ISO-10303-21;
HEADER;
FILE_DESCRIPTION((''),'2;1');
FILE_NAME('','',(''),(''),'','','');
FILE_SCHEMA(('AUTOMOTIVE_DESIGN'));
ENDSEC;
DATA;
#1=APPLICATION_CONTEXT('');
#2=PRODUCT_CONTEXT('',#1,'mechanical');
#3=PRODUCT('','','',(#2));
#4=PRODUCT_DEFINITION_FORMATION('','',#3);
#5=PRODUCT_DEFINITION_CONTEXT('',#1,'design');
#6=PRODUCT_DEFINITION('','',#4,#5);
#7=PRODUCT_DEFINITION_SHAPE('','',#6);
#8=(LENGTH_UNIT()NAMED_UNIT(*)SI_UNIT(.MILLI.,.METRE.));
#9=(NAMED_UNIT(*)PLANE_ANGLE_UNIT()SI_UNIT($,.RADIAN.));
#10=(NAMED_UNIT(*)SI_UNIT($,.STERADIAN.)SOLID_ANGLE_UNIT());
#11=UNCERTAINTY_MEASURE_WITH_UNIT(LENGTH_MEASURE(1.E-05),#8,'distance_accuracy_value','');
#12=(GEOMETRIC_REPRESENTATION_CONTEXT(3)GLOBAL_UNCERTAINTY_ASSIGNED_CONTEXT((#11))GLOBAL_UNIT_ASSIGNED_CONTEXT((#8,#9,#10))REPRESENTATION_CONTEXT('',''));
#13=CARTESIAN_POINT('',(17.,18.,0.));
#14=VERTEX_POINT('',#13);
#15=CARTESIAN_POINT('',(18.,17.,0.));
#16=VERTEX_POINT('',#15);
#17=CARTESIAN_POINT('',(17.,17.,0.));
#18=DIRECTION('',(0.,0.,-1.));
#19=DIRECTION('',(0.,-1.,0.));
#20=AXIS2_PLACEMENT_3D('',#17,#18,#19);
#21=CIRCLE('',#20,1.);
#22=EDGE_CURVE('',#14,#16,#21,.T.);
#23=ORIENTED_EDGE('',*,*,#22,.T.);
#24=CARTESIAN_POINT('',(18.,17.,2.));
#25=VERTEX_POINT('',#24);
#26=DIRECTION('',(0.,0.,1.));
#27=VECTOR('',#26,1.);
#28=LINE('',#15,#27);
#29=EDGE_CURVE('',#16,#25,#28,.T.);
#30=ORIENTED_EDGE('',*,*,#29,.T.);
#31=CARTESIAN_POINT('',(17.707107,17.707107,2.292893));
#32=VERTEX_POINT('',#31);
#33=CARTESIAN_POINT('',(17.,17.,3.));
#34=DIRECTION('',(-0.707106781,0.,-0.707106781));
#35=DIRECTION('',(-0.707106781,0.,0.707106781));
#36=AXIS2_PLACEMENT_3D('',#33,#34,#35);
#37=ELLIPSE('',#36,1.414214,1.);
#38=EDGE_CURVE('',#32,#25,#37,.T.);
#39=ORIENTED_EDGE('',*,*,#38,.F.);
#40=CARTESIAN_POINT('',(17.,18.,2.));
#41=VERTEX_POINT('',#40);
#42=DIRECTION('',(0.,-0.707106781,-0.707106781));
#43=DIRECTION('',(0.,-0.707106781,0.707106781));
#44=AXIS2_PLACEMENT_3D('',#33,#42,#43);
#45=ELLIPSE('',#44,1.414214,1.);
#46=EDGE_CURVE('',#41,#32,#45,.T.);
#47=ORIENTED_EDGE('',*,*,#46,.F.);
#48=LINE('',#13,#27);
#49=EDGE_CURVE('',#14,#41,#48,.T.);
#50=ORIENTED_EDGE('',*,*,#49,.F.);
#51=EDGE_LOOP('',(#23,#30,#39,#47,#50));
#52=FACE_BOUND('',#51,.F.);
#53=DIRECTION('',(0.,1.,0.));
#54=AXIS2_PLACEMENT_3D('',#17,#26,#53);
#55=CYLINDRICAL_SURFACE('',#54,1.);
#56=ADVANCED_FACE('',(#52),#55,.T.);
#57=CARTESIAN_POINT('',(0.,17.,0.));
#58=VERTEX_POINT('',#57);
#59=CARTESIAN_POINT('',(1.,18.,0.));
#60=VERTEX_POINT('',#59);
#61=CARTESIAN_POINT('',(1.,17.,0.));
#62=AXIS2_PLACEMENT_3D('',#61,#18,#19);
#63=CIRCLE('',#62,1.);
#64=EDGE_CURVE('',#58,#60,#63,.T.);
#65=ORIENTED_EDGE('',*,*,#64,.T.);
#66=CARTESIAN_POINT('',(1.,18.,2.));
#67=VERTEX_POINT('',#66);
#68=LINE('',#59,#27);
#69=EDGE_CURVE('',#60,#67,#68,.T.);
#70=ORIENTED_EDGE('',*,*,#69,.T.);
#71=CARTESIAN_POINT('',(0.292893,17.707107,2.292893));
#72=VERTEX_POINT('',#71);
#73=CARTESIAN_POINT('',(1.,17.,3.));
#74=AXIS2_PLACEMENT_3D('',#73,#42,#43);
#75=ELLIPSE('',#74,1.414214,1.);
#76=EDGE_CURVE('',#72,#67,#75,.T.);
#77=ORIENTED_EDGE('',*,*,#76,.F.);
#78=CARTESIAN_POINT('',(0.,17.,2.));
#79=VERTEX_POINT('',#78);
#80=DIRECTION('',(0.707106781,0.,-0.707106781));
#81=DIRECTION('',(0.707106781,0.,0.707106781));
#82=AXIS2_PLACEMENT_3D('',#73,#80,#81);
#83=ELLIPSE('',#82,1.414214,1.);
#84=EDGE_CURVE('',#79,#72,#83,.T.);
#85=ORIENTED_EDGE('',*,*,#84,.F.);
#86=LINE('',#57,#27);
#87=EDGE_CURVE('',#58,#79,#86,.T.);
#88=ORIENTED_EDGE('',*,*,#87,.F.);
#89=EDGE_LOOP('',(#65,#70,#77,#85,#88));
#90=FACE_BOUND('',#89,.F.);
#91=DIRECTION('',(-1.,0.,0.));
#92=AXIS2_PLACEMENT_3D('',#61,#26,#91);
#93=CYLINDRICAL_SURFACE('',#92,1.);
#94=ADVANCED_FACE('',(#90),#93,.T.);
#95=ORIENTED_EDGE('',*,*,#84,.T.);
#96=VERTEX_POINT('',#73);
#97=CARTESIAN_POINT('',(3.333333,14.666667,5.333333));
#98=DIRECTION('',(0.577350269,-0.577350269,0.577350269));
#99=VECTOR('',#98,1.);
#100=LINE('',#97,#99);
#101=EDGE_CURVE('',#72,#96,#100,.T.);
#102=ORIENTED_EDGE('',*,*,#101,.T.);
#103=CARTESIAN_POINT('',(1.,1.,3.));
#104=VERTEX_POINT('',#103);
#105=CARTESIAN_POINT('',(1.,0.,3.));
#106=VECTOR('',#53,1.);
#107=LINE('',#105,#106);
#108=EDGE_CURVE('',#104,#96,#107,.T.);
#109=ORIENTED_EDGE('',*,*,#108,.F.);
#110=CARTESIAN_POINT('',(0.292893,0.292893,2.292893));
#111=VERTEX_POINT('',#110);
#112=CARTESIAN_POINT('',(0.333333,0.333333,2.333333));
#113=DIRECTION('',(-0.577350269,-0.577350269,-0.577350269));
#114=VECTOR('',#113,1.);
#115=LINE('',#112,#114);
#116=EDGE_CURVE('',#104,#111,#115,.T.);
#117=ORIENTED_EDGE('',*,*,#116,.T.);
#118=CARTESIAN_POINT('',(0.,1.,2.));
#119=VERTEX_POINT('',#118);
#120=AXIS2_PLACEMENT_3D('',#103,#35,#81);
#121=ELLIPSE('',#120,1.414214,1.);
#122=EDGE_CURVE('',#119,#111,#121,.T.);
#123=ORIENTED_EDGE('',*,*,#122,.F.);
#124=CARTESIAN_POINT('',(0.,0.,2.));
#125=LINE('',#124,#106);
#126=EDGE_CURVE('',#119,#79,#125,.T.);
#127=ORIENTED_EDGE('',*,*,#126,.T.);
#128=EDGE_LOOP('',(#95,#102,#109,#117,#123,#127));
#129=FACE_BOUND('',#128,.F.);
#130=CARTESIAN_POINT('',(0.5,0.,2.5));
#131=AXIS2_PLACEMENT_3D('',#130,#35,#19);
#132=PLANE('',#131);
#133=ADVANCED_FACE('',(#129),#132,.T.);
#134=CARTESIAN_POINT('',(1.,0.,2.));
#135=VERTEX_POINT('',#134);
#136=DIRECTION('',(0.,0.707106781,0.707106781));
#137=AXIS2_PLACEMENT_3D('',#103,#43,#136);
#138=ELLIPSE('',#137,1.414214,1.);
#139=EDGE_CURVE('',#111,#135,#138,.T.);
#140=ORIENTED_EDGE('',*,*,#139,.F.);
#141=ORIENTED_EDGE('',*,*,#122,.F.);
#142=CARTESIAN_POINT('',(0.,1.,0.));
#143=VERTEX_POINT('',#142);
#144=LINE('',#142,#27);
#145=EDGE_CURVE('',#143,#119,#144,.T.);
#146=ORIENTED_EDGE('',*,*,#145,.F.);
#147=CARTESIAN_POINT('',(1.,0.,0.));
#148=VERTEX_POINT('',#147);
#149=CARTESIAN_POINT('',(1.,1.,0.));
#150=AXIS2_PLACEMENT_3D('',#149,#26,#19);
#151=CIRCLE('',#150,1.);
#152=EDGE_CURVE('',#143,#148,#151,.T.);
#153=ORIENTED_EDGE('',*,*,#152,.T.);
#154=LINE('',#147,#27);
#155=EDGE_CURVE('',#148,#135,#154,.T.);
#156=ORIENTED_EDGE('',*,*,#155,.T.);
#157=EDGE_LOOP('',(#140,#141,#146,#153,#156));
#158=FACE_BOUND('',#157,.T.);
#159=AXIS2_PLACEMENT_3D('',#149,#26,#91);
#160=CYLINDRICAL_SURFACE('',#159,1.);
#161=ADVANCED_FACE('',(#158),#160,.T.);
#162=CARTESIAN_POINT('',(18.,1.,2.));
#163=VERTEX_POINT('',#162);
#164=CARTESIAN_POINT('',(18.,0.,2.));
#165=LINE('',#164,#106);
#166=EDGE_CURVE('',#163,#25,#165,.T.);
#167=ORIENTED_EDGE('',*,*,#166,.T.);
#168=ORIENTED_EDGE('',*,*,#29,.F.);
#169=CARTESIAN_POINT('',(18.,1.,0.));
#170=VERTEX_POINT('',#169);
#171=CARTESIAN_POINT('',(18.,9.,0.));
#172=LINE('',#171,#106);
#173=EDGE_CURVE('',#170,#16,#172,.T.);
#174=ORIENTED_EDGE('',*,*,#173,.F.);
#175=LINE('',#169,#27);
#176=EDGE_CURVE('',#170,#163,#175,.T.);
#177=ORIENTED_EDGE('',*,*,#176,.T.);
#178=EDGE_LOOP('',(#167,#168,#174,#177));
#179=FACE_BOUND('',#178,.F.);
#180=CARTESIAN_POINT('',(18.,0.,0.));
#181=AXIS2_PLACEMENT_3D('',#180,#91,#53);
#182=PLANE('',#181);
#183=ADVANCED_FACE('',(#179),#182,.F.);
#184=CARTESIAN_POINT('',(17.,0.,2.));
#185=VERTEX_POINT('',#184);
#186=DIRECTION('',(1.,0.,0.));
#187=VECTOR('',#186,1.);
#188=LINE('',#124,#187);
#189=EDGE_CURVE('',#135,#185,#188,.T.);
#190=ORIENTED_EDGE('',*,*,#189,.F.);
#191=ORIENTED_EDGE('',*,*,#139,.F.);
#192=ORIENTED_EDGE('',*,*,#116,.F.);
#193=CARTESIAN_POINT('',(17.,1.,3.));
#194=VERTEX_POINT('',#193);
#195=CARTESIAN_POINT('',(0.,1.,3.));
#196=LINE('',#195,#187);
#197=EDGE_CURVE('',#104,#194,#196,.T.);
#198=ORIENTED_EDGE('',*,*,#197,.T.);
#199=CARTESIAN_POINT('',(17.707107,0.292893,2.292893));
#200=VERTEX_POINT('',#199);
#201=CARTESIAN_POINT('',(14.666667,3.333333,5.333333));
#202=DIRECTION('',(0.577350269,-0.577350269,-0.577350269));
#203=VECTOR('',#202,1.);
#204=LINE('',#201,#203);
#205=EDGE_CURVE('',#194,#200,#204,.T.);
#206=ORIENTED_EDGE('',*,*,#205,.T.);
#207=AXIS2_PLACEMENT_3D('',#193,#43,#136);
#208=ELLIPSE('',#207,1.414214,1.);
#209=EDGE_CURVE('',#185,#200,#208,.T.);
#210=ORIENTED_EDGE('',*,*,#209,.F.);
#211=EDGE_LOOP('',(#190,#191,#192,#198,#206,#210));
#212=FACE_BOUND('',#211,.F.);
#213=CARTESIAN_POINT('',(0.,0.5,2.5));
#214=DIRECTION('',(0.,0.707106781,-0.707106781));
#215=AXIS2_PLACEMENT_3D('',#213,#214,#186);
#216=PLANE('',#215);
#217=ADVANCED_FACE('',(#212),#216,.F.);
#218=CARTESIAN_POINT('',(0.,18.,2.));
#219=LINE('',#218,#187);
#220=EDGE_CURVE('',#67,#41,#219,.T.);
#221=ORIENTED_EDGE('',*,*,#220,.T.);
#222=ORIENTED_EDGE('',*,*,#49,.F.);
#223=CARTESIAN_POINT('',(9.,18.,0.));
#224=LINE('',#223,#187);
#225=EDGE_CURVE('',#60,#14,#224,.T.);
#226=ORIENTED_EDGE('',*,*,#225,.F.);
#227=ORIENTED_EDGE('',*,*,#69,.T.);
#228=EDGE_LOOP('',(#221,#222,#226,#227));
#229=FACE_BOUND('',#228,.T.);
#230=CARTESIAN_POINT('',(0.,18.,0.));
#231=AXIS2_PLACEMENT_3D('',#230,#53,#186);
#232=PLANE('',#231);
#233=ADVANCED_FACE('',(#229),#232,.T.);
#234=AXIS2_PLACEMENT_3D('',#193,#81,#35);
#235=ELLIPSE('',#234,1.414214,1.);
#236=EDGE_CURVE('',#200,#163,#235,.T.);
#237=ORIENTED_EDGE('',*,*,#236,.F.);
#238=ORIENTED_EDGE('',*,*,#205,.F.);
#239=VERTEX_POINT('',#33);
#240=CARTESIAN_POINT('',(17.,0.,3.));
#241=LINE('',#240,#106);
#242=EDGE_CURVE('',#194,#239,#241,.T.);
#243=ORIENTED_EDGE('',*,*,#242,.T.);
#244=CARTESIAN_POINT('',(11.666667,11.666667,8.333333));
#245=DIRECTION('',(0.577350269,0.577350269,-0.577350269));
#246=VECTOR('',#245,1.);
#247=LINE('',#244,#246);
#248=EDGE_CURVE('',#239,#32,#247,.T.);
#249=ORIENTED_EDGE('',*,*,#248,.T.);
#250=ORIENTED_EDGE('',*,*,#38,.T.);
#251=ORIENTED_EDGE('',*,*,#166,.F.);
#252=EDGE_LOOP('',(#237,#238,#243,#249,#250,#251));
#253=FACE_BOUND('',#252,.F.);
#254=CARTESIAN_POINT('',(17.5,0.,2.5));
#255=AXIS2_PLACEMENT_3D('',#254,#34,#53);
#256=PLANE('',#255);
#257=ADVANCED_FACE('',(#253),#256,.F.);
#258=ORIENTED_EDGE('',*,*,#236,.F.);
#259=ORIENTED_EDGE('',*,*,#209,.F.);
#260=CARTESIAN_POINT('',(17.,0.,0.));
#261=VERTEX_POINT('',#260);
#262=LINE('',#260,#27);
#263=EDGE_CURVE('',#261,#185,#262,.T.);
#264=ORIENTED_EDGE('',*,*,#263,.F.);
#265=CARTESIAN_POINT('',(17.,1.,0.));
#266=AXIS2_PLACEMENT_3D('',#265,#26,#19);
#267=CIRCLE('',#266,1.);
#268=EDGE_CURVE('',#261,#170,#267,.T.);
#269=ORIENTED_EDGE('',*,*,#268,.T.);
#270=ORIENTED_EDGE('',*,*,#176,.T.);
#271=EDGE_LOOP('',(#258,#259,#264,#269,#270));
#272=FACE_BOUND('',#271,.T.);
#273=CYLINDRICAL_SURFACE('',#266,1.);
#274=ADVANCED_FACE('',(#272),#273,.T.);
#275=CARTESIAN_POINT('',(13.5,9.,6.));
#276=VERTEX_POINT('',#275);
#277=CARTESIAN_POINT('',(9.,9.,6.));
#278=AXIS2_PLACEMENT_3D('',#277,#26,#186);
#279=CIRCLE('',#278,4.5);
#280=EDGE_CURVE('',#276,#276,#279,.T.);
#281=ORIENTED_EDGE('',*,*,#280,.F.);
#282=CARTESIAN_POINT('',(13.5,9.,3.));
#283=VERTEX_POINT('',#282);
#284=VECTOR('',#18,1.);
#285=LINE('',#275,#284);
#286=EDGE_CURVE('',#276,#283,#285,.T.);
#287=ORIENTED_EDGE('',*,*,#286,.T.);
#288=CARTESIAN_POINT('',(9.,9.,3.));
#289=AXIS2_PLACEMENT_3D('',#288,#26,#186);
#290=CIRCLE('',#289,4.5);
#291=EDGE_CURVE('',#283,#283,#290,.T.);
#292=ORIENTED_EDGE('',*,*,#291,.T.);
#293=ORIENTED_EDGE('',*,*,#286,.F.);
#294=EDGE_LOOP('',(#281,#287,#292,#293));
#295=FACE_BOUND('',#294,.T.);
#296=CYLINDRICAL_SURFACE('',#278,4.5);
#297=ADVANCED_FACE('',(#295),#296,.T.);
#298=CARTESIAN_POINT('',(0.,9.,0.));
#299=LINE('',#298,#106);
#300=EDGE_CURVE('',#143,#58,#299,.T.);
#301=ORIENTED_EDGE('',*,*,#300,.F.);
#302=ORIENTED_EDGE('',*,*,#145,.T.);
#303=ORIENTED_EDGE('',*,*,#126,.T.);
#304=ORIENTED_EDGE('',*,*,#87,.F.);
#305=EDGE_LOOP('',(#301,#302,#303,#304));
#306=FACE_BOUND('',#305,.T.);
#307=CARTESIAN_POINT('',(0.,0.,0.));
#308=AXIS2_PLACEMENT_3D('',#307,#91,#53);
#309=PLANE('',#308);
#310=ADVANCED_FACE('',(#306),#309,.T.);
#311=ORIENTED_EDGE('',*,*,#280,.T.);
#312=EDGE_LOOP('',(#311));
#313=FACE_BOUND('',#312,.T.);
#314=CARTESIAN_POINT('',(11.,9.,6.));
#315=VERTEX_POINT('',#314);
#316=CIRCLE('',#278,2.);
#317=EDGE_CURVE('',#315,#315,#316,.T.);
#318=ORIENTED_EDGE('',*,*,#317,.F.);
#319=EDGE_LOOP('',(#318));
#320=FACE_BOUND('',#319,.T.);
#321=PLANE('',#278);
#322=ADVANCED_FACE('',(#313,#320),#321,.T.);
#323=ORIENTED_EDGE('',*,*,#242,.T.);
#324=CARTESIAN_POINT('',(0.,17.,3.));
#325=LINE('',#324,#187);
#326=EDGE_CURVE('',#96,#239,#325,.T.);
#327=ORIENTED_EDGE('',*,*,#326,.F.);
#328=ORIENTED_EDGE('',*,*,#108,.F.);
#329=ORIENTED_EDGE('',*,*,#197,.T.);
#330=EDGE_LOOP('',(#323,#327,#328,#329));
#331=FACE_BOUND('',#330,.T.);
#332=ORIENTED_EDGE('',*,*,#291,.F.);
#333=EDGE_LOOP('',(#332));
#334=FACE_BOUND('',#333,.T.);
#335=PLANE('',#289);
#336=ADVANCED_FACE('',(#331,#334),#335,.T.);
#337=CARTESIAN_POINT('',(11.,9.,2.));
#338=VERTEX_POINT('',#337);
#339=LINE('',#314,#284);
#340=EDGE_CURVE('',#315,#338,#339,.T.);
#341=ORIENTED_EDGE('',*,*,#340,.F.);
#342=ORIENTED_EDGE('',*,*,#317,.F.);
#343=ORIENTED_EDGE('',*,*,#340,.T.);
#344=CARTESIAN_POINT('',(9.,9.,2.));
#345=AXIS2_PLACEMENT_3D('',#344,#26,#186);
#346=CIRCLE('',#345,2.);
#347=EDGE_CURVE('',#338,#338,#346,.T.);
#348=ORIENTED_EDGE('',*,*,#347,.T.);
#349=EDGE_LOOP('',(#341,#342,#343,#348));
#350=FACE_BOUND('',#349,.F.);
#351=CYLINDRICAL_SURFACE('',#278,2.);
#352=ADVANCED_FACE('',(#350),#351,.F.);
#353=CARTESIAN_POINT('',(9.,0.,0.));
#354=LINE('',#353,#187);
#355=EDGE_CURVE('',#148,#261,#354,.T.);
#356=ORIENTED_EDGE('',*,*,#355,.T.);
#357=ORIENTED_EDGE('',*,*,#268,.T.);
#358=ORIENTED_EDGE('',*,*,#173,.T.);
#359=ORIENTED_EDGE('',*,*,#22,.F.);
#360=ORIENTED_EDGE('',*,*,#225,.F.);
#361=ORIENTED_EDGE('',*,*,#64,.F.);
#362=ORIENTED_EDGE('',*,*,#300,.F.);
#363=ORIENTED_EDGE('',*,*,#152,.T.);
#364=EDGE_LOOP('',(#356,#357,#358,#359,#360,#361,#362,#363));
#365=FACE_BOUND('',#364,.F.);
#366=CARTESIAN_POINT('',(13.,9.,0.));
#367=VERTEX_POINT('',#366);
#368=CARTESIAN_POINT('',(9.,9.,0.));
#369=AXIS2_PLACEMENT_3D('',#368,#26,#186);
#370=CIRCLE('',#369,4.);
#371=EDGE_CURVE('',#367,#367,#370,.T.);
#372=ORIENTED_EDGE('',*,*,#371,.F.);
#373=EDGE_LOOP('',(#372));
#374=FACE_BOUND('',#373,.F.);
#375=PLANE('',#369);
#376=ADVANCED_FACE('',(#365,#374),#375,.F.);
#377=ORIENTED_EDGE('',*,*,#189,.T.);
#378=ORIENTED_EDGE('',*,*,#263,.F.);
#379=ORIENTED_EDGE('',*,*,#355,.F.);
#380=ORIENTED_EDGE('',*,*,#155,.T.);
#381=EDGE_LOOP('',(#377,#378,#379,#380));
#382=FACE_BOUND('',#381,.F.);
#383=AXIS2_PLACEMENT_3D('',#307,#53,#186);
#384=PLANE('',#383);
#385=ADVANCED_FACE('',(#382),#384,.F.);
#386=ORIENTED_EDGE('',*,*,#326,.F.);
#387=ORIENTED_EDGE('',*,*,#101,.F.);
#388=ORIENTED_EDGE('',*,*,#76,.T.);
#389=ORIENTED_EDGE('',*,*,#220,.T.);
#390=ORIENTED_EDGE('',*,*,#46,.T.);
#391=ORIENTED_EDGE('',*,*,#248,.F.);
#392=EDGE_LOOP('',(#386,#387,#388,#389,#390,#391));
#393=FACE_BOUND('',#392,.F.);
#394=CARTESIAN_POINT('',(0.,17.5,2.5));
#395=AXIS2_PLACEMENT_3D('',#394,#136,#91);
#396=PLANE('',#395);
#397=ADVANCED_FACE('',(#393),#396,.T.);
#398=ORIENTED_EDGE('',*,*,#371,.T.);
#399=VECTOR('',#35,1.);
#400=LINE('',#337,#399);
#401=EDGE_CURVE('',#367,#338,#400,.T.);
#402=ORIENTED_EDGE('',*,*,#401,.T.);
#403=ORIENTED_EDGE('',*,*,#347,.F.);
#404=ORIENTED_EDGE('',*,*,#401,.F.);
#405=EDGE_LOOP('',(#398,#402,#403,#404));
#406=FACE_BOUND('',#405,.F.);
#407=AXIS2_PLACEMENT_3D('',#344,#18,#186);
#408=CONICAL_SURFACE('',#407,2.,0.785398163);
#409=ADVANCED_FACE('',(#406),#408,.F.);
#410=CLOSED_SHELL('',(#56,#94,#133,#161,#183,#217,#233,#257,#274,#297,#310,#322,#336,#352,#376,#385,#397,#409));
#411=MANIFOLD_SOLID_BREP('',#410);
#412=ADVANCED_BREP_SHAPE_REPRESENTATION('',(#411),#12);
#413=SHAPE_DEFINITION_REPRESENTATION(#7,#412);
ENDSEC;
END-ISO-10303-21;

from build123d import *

# Parameters (mm, degrees)
SKETCH_W        = 18
SKETCH_H        = 18
PAD_DEPTH       = 6
SKETCH001_W     = 18
SKETCH001_H     = 18
SKETCH001_R     = 4.5
POCKET_DEPTH    = 3
SKETCH002_R     = 2
POCKET001_DEPTH = 6.001
CHAMFER_SIZE    = 1
FILLET_R        = 1
CHAMFER001_SIZE = 2


with BuildPart() as part:
    # Sketch → Pad (new body)
    with BuildSketch(Plane.XY):
        with Locations((9, 9)):
            Rectangle(SKETCH_W, SKETCH_H)
    extrude(amount=PAD_DEPTH)

    # Sketch001 (on Face6 of Pad) → Pocket (cut)
    with BuildSketch(Plane.XY.offset(6)):
        with Locations((9, 9)):
            Rectangle(SKETCH001_W, SKETCH001_H)
        with Locations((9, 9)):
            Circle(SKETCH001_R, mode=Mode.SUBTRACT)
    extrude(amount=-POCKET_DEPTH, mode=Mode.SUBTRACT)

    # Sketch002 (on Face8 of Pocket) → Pocket001 (cut, through all)
    with BuildSketch(Plane.XY.offset(6)):
        with Locations((9, 9)):
            Circle(SKETCH002_R)
    extrude(amount=-POCKET001_DEPTH, mode=Mode.SUBTRACT)

    # Chamfer
    chamfer_edges = [part.edges().sort_by_distance(p)[0] for p in [
        (9, 0, 3),
        (18, 9, 3),
        (9, 18, 3),
        (0, 9, 3),
    ]]
    chamfer(chamfer_edges, length=CHAMFER_SIZE)

    # Fillet
    fillet_edges = [part.edges().sort_by_distance(p)[0] for p in [
        (0, 18, 1),
        (0, 0, 1),
        (18, 18, 1),
        (18, 0, 1),
    ]]
    fillet(fillet_edges, radius=FILLET_R)

    # Chamfer001
    chamfer001_edges = [part.edges().sort_by_distance(p)[0] for p in [
        (7, 9, 0),
    ]]
    chamfer(chamfer001_edges, length=CHAMFER001_SIZE)


solid = part.part
